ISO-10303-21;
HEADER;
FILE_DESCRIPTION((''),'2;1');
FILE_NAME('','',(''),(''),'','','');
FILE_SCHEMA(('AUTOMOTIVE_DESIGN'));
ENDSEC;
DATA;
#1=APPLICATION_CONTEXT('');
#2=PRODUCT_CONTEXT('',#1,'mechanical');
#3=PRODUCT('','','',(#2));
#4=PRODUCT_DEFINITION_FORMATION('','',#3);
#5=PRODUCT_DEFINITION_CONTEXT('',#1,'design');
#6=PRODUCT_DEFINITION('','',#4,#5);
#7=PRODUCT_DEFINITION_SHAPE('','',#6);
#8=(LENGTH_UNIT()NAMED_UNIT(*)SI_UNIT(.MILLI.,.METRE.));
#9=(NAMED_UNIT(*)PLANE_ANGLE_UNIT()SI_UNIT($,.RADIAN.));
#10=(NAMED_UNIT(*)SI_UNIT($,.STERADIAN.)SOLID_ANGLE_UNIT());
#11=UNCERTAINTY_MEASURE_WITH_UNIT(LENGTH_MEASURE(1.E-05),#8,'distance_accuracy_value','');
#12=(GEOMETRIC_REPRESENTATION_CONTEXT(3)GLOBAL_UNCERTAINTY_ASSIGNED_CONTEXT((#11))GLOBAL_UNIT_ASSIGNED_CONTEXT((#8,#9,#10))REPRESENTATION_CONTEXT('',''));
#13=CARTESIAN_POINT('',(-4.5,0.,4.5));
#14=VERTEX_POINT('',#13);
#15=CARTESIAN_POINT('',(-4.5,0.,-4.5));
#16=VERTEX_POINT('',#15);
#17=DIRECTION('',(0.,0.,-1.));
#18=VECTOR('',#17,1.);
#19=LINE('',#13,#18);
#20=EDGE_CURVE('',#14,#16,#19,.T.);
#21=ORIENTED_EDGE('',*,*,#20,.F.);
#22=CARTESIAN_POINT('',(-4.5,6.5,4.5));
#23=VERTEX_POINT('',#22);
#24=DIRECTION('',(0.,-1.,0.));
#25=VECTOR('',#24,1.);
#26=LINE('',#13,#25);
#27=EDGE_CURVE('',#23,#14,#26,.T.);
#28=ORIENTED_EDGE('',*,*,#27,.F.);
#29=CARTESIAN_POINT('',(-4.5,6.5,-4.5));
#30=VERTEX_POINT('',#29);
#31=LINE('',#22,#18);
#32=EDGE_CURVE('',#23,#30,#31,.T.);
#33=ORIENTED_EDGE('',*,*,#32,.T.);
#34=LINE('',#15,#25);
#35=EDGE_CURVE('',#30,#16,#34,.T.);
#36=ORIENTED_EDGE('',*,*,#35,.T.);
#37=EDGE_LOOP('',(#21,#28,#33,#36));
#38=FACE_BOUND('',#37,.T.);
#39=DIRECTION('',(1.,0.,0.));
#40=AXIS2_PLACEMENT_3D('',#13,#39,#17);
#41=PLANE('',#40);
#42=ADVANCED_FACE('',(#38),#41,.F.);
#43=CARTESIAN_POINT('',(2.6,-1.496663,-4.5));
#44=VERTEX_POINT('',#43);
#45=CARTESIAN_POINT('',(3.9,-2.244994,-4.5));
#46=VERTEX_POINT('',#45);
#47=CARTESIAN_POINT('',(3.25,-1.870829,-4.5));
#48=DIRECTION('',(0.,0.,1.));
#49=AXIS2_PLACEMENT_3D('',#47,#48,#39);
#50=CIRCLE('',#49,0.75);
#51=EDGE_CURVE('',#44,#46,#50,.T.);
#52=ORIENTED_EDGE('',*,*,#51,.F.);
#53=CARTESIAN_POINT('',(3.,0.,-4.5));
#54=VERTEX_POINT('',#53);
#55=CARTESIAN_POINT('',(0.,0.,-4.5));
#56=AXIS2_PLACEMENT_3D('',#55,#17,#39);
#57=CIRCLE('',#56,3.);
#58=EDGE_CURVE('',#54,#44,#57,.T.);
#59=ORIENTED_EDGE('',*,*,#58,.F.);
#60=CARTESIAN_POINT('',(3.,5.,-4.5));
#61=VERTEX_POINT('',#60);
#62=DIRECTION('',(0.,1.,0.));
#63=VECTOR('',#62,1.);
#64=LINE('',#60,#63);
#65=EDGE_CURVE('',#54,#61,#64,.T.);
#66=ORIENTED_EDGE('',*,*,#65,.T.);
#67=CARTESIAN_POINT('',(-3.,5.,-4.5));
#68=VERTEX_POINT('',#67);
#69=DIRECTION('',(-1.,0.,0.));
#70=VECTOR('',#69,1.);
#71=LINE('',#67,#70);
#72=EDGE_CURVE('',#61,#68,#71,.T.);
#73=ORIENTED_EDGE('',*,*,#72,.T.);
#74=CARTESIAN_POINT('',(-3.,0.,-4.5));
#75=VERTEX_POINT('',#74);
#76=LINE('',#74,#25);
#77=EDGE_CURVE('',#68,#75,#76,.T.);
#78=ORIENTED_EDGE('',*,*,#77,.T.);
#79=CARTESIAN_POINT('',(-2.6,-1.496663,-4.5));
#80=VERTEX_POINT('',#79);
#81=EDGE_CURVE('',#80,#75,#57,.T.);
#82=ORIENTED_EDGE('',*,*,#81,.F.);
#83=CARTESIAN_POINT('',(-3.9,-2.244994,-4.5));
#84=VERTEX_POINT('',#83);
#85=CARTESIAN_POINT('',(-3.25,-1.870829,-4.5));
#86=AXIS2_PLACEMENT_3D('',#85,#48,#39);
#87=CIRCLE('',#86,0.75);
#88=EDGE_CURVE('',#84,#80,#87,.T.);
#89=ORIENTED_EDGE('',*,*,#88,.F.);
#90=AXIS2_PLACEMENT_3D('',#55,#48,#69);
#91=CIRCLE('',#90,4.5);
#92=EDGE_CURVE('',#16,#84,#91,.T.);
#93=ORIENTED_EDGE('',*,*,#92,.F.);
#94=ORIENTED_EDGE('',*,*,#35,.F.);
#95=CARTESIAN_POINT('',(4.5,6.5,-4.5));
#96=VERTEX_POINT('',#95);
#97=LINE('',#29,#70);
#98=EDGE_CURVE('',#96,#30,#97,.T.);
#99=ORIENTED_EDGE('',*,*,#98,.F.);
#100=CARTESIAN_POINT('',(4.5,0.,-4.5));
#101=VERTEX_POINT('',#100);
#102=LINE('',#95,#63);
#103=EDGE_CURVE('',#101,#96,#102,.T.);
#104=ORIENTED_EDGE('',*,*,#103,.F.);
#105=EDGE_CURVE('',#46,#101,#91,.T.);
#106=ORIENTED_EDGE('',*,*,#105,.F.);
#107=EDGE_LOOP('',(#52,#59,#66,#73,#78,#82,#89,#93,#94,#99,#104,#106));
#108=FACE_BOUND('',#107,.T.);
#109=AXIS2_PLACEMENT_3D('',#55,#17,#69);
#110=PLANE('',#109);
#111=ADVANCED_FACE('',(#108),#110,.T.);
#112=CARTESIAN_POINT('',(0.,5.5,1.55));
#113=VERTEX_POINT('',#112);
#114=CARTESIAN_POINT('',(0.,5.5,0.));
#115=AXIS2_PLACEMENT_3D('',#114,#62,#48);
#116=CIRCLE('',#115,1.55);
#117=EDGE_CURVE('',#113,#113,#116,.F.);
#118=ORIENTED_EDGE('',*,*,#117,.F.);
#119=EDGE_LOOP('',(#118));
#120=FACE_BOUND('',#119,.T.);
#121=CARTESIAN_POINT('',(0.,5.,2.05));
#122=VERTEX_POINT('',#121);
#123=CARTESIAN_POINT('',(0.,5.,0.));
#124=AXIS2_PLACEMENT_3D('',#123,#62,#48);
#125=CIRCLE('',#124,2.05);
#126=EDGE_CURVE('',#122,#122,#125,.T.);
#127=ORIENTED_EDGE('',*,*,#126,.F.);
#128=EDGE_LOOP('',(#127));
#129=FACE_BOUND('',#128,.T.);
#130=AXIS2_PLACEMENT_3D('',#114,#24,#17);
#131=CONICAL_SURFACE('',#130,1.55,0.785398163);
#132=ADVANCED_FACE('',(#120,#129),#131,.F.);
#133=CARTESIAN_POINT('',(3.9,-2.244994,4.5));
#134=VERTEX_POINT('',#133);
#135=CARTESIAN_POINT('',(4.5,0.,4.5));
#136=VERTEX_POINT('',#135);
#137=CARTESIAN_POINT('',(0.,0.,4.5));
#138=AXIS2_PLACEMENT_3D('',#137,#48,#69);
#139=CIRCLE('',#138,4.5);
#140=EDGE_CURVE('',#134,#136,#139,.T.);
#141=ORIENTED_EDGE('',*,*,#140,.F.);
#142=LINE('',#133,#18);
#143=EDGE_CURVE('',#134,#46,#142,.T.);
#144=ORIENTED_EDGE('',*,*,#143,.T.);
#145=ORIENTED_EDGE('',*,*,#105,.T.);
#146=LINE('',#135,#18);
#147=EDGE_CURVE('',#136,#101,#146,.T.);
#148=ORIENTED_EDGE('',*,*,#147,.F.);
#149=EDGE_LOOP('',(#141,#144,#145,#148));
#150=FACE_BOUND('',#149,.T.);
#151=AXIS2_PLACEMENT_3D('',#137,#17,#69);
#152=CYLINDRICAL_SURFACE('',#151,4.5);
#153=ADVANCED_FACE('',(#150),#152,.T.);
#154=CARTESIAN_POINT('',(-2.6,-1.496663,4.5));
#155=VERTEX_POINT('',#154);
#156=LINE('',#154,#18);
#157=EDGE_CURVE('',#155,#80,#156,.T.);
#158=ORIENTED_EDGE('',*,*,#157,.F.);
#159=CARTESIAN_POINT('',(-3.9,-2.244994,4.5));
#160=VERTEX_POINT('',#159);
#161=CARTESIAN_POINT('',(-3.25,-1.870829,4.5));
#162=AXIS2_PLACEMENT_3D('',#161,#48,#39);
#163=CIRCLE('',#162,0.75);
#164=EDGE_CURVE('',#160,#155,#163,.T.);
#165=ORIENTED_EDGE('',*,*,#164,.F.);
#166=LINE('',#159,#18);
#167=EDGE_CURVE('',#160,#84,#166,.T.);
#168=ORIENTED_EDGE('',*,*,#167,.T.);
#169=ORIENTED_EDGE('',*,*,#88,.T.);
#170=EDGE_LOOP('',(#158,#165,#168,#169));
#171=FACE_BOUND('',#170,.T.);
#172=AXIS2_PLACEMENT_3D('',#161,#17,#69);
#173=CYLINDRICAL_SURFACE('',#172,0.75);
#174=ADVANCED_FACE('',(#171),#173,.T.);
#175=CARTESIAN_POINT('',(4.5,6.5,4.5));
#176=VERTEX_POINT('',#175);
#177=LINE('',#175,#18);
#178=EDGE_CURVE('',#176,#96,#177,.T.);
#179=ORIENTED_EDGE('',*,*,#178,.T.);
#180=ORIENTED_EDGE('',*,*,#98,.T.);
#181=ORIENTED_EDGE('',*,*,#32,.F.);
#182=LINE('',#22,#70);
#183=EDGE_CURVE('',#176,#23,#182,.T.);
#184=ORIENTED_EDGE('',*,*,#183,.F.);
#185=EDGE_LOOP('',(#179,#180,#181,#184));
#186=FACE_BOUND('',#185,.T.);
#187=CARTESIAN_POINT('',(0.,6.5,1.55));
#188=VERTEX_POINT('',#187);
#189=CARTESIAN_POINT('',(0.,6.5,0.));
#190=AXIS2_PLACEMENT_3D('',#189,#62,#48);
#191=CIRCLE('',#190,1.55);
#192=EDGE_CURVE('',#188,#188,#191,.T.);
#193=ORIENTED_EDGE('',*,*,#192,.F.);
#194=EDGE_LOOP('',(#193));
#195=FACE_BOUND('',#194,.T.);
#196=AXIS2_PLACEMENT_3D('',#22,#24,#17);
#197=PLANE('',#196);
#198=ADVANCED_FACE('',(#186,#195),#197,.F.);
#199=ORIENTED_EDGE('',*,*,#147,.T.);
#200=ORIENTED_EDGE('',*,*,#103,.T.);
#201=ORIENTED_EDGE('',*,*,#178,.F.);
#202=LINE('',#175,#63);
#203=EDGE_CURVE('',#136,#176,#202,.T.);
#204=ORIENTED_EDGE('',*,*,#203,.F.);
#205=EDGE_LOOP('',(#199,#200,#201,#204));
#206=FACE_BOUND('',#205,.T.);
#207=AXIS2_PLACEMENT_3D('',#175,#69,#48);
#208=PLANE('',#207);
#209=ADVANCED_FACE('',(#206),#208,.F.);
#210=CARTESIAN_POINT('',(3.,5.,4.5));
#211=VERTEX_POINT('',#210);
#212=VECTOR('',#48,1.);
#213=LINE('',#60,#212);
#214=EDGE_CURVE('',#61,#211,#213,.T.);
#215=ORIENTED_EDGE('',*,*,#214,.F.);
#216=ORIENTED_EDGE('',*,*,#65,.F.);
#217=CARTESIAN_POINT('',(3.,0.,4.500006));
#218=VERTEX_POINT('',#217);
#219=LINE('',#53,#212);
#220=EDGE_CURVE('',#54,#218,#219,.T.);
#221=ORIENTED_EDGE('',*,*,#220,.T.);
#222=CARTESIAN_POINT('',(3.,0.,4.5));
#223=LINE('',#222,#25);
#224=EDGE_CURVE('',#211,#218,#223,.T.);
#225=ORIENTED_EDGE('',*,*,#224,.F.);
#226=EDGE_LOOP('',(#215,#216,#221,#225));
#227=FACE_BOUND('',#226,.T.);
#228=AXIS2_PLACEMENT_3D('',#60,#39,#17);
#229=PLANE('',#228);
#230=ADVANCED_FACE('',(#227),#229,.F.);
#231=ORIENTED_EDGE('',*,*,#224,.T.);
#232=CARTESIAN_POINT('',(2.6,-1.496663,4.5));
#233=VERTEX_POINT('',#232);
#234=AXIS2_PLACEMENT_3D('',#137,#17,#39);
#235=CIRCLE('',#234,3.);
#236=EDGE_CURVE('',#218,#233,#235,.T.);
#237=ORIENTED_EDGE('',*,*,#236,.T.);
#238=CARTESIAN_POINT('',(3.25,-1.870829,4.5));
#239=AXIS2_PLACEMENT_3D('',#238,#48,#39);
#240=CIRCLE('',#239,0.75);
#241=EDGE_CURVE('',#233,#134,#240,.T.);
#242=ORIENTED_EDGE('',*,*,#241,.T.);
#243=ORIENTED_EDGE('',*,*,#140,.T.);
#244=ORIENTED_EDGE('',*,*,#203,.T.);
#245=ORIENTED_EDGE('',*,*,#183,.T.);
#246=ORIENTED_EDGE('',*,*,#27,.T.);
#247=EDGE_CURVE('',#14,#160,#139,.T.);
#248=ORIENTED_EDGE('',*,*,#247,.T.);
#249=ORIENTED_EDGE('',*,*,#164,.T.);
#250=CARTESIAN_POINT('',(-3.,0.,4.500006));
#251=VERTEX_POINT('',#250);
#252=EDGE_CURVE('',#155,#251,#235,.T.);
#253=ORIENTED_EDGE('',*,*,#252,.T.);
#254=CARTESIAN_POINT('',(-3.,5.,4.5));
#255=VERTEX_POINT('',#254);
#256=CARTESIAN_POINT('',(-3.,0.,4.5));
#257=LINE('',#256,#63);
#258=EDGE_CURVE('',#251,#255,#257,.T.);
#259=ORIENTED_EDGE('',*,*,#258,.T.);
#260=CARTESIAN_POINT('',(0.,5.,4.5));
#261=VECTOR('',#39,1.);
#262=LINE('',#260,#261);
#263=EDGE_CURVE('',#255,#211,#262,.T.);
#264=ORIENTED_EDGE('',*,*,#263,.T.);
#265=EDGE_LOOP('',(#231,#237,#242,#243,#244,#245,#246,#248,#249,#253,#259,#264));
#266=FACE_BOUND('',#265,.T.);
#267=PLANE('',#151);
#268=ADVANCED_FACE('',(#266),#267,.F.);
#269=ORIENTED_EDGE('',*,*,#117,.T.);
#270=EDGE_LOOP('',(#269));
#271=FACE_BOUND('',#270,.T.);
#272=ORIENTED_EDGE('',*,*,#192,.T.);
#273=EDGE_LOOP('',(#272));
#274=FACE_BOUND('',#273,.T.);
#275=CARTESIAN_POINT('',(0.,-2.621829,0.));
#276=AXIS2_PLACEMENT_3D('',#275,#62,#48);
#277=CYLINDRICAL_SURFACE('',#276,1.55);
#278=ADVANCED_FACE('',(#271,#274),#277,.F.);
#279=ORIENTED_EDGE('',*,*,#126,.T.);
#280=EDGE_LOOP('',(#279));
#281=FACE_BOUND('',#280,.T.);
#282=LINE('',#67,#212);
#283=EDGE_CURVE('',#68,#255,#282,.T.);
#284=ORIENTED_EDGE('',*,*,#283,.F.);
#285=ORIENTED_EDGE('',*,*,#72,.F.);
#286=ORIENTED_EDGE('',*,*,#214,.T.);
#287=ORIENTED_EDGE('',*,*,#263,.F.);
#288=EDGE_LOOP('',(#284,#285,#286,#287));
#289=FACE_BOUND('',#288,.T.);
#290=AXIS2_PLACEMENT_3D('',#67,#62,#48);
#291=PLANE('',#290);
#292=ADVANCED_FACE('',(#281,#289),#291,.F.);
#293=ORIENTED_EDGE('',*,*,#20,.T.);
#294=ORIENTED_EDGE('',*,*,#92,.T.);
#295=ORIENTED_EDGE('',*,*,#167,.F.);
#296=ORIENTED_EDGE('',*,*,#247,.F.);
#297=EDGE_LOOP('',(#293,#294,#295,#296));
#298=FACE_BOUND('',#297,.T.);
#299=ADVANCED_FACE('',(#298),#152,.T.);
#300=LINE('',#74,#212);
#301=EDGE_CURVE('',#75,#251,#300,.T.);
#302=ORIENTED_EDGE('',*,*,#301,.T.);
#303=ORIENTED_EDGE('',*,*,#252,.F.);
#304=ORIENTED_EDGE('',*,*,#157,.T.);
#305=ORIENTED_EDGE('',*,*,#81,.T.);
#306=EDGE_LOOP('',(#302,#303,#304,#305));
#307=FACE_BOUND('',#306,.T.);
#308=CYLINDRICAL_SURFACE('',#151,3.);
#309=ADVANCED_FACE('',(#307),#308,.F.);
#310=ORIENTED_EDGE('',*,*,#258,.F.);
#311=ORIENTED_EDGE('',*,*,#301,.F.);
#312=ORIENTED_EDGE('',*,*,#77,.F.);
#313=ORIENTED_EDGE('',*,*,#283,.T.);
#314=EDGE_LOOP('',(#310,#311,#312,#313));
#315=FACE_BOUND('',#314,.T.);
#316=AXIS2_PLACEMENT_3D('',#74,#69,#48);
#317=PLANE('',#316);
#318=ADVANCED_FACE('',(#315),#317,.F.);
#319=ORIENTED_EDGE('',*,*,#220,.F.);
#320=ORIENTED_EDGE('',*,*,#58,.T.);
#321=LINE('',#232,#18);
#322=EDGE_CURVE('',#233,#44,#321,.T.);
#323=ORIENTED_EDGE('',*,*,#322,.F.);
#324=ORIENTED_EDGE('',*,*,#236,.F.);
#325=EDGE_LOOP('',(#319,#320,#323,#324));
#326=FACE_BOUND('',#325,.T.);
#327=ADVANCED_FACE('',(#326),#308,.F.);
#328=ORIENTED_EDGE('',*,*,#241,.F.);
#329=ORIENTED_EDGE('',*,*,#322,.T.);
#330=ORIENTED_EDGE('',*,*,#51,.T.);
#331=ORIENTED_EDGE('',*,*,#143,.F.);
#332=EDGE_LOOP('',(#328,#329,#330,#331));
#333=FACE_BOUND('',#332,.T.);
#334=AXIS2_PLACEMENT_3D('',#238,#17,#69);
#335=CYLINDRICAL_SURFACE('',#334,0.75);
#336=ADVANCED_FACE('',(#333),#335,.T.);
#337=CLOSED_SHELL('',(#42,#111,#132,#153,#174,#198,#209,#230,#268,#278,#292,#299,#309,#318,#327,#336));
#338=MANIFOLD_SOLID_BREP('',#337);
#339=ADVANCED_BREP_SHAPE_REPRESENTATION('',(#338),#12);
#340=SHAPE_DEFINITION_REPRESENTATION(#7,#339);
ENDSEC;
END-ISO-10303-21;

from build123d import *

# Parameters (mm, degrees)
AUFSATZ_LINEAR_AUSTRAGEN1_DEPTH      = 4.5
SCHNITT_LINEAR_AUSTRAGEN1_REACH      = 13.122
SCHNITT_LINEAR_AUSTRAGEN1_END_RADIUS = 3
SKIZZE3_R                            = 1.55
SCHNITT_LINEAR_AUSTRAGEN2_DEPTH      = 12.97914868
SCHNITT_LINEAR_AUSTRAGEN2_DEPTH_BACK = 12.97914868
SKIZZE4_W                            = 6
SKIZZE4_H                            = 5
FASE1_SIZE                           = 0.5


with BuildPart() as part:
    # Skizze1 → Aufsatz-Linear austragen1 (new, symmetric)
    with BuildSketch(Plane.XY):
        with BuildLine():
            Line((-4.5, 6.5), (4.5, 6.5))
            Line((4.5, 6.5), (4.5, 0))
            ThreePointArc((4.5, 0), (4.347413024, -1.161895004), (3.9, -2.244994432))
            ThreePointArc((3.9, -2.244994432), (2.875834261, -2.520828693), (2.6, -1.496662955))
            ThreePointArc((2.6, -1.496662955), (0, 3), (-2.6, -1.496662955))
            ThreePointArc((-2.6, -1.496662955), (-2.875834261, -2.520828693), (-3.9, -2.244994432))
            ThreePointArc((-3.9, -2.244994432), (-4.347413024, -1.161895004), (-4.5, 0))
            Line((-4.5, 0), (-4.5, 6.5))
        make_face()
    extrude(amount=AUFSATZ_LINEAR_AUSTRAGEN1_DEPTH, both=True)

    # Schnitt-Linear austragen1: up to this cylinder (the profile starts outside it)
    schnitt_linear_austragen1_end = Plane(origin=(0, 0, 0), z_dir=(0, 0, -1)) * Cylinder(SCHNITT_LINEAR_AUSTRAGEN1_END_RADIUS, 33.244, mode=Mode.PRIVATE)
    # Skizze3 → Schnitt-Linear austragen1 (cut, up to the surface)
    with BuildSketch(Plane(origin=(0, 6.5, 0), x_dir=(1, 0, 0), z_dir=(0, 1, 0)), mode=Mode.PRIVATE) as schnitt_linear_austragen1_sk1:
        with Locations(Location((0, 0, 0), (0, 0, 270))):
            Circle(SKIZZE3_R)
    schnitt_linear_austragen1_tool1 = extrude(schnitt_linear_austragen1_sk1.sketch, amount=-SCHNITT_LINEAR_AUSTRAGEN1_REACH, mode=Mode.PRIVATE) - schnitt_linear_austragen1_end
    add(schnitt_linear_austragen1_tool1.solids().sort_by_distance((0, 6.5, 0))[0], mode=Mode.SUBTRACT)

    # Skizze4 → Schnitt-Linear austragen2 (cut, two sides: drawn at the far end of the back side and taken through both)
    with BuildSketch(Plane.XY.offset(4.5).offset(-SCHNITT_LINEAR_AUSTRAGEN2_DEPTH_BACK)):
        with Locations((0, 2.5)):
            Rectangle(SKIZZE4_W, SKIZZE4_H)
    extrude(amount=SCHNITT_LINEAR_AUSTRAGEN2_DEPTH + SCHNITT_LINEAR_AUSTRAGEN2_DEPTH_BACK, mode=Mode.SUBTRACT)

    # Fase1
    fase1_edges = [part.edges().sort_by_distance(p)[0] for p in [
        (0, 5, -1.55),
    ]]
    chamfer(fase1_edges, length=FASE1_SIZE)


solid = part.part
